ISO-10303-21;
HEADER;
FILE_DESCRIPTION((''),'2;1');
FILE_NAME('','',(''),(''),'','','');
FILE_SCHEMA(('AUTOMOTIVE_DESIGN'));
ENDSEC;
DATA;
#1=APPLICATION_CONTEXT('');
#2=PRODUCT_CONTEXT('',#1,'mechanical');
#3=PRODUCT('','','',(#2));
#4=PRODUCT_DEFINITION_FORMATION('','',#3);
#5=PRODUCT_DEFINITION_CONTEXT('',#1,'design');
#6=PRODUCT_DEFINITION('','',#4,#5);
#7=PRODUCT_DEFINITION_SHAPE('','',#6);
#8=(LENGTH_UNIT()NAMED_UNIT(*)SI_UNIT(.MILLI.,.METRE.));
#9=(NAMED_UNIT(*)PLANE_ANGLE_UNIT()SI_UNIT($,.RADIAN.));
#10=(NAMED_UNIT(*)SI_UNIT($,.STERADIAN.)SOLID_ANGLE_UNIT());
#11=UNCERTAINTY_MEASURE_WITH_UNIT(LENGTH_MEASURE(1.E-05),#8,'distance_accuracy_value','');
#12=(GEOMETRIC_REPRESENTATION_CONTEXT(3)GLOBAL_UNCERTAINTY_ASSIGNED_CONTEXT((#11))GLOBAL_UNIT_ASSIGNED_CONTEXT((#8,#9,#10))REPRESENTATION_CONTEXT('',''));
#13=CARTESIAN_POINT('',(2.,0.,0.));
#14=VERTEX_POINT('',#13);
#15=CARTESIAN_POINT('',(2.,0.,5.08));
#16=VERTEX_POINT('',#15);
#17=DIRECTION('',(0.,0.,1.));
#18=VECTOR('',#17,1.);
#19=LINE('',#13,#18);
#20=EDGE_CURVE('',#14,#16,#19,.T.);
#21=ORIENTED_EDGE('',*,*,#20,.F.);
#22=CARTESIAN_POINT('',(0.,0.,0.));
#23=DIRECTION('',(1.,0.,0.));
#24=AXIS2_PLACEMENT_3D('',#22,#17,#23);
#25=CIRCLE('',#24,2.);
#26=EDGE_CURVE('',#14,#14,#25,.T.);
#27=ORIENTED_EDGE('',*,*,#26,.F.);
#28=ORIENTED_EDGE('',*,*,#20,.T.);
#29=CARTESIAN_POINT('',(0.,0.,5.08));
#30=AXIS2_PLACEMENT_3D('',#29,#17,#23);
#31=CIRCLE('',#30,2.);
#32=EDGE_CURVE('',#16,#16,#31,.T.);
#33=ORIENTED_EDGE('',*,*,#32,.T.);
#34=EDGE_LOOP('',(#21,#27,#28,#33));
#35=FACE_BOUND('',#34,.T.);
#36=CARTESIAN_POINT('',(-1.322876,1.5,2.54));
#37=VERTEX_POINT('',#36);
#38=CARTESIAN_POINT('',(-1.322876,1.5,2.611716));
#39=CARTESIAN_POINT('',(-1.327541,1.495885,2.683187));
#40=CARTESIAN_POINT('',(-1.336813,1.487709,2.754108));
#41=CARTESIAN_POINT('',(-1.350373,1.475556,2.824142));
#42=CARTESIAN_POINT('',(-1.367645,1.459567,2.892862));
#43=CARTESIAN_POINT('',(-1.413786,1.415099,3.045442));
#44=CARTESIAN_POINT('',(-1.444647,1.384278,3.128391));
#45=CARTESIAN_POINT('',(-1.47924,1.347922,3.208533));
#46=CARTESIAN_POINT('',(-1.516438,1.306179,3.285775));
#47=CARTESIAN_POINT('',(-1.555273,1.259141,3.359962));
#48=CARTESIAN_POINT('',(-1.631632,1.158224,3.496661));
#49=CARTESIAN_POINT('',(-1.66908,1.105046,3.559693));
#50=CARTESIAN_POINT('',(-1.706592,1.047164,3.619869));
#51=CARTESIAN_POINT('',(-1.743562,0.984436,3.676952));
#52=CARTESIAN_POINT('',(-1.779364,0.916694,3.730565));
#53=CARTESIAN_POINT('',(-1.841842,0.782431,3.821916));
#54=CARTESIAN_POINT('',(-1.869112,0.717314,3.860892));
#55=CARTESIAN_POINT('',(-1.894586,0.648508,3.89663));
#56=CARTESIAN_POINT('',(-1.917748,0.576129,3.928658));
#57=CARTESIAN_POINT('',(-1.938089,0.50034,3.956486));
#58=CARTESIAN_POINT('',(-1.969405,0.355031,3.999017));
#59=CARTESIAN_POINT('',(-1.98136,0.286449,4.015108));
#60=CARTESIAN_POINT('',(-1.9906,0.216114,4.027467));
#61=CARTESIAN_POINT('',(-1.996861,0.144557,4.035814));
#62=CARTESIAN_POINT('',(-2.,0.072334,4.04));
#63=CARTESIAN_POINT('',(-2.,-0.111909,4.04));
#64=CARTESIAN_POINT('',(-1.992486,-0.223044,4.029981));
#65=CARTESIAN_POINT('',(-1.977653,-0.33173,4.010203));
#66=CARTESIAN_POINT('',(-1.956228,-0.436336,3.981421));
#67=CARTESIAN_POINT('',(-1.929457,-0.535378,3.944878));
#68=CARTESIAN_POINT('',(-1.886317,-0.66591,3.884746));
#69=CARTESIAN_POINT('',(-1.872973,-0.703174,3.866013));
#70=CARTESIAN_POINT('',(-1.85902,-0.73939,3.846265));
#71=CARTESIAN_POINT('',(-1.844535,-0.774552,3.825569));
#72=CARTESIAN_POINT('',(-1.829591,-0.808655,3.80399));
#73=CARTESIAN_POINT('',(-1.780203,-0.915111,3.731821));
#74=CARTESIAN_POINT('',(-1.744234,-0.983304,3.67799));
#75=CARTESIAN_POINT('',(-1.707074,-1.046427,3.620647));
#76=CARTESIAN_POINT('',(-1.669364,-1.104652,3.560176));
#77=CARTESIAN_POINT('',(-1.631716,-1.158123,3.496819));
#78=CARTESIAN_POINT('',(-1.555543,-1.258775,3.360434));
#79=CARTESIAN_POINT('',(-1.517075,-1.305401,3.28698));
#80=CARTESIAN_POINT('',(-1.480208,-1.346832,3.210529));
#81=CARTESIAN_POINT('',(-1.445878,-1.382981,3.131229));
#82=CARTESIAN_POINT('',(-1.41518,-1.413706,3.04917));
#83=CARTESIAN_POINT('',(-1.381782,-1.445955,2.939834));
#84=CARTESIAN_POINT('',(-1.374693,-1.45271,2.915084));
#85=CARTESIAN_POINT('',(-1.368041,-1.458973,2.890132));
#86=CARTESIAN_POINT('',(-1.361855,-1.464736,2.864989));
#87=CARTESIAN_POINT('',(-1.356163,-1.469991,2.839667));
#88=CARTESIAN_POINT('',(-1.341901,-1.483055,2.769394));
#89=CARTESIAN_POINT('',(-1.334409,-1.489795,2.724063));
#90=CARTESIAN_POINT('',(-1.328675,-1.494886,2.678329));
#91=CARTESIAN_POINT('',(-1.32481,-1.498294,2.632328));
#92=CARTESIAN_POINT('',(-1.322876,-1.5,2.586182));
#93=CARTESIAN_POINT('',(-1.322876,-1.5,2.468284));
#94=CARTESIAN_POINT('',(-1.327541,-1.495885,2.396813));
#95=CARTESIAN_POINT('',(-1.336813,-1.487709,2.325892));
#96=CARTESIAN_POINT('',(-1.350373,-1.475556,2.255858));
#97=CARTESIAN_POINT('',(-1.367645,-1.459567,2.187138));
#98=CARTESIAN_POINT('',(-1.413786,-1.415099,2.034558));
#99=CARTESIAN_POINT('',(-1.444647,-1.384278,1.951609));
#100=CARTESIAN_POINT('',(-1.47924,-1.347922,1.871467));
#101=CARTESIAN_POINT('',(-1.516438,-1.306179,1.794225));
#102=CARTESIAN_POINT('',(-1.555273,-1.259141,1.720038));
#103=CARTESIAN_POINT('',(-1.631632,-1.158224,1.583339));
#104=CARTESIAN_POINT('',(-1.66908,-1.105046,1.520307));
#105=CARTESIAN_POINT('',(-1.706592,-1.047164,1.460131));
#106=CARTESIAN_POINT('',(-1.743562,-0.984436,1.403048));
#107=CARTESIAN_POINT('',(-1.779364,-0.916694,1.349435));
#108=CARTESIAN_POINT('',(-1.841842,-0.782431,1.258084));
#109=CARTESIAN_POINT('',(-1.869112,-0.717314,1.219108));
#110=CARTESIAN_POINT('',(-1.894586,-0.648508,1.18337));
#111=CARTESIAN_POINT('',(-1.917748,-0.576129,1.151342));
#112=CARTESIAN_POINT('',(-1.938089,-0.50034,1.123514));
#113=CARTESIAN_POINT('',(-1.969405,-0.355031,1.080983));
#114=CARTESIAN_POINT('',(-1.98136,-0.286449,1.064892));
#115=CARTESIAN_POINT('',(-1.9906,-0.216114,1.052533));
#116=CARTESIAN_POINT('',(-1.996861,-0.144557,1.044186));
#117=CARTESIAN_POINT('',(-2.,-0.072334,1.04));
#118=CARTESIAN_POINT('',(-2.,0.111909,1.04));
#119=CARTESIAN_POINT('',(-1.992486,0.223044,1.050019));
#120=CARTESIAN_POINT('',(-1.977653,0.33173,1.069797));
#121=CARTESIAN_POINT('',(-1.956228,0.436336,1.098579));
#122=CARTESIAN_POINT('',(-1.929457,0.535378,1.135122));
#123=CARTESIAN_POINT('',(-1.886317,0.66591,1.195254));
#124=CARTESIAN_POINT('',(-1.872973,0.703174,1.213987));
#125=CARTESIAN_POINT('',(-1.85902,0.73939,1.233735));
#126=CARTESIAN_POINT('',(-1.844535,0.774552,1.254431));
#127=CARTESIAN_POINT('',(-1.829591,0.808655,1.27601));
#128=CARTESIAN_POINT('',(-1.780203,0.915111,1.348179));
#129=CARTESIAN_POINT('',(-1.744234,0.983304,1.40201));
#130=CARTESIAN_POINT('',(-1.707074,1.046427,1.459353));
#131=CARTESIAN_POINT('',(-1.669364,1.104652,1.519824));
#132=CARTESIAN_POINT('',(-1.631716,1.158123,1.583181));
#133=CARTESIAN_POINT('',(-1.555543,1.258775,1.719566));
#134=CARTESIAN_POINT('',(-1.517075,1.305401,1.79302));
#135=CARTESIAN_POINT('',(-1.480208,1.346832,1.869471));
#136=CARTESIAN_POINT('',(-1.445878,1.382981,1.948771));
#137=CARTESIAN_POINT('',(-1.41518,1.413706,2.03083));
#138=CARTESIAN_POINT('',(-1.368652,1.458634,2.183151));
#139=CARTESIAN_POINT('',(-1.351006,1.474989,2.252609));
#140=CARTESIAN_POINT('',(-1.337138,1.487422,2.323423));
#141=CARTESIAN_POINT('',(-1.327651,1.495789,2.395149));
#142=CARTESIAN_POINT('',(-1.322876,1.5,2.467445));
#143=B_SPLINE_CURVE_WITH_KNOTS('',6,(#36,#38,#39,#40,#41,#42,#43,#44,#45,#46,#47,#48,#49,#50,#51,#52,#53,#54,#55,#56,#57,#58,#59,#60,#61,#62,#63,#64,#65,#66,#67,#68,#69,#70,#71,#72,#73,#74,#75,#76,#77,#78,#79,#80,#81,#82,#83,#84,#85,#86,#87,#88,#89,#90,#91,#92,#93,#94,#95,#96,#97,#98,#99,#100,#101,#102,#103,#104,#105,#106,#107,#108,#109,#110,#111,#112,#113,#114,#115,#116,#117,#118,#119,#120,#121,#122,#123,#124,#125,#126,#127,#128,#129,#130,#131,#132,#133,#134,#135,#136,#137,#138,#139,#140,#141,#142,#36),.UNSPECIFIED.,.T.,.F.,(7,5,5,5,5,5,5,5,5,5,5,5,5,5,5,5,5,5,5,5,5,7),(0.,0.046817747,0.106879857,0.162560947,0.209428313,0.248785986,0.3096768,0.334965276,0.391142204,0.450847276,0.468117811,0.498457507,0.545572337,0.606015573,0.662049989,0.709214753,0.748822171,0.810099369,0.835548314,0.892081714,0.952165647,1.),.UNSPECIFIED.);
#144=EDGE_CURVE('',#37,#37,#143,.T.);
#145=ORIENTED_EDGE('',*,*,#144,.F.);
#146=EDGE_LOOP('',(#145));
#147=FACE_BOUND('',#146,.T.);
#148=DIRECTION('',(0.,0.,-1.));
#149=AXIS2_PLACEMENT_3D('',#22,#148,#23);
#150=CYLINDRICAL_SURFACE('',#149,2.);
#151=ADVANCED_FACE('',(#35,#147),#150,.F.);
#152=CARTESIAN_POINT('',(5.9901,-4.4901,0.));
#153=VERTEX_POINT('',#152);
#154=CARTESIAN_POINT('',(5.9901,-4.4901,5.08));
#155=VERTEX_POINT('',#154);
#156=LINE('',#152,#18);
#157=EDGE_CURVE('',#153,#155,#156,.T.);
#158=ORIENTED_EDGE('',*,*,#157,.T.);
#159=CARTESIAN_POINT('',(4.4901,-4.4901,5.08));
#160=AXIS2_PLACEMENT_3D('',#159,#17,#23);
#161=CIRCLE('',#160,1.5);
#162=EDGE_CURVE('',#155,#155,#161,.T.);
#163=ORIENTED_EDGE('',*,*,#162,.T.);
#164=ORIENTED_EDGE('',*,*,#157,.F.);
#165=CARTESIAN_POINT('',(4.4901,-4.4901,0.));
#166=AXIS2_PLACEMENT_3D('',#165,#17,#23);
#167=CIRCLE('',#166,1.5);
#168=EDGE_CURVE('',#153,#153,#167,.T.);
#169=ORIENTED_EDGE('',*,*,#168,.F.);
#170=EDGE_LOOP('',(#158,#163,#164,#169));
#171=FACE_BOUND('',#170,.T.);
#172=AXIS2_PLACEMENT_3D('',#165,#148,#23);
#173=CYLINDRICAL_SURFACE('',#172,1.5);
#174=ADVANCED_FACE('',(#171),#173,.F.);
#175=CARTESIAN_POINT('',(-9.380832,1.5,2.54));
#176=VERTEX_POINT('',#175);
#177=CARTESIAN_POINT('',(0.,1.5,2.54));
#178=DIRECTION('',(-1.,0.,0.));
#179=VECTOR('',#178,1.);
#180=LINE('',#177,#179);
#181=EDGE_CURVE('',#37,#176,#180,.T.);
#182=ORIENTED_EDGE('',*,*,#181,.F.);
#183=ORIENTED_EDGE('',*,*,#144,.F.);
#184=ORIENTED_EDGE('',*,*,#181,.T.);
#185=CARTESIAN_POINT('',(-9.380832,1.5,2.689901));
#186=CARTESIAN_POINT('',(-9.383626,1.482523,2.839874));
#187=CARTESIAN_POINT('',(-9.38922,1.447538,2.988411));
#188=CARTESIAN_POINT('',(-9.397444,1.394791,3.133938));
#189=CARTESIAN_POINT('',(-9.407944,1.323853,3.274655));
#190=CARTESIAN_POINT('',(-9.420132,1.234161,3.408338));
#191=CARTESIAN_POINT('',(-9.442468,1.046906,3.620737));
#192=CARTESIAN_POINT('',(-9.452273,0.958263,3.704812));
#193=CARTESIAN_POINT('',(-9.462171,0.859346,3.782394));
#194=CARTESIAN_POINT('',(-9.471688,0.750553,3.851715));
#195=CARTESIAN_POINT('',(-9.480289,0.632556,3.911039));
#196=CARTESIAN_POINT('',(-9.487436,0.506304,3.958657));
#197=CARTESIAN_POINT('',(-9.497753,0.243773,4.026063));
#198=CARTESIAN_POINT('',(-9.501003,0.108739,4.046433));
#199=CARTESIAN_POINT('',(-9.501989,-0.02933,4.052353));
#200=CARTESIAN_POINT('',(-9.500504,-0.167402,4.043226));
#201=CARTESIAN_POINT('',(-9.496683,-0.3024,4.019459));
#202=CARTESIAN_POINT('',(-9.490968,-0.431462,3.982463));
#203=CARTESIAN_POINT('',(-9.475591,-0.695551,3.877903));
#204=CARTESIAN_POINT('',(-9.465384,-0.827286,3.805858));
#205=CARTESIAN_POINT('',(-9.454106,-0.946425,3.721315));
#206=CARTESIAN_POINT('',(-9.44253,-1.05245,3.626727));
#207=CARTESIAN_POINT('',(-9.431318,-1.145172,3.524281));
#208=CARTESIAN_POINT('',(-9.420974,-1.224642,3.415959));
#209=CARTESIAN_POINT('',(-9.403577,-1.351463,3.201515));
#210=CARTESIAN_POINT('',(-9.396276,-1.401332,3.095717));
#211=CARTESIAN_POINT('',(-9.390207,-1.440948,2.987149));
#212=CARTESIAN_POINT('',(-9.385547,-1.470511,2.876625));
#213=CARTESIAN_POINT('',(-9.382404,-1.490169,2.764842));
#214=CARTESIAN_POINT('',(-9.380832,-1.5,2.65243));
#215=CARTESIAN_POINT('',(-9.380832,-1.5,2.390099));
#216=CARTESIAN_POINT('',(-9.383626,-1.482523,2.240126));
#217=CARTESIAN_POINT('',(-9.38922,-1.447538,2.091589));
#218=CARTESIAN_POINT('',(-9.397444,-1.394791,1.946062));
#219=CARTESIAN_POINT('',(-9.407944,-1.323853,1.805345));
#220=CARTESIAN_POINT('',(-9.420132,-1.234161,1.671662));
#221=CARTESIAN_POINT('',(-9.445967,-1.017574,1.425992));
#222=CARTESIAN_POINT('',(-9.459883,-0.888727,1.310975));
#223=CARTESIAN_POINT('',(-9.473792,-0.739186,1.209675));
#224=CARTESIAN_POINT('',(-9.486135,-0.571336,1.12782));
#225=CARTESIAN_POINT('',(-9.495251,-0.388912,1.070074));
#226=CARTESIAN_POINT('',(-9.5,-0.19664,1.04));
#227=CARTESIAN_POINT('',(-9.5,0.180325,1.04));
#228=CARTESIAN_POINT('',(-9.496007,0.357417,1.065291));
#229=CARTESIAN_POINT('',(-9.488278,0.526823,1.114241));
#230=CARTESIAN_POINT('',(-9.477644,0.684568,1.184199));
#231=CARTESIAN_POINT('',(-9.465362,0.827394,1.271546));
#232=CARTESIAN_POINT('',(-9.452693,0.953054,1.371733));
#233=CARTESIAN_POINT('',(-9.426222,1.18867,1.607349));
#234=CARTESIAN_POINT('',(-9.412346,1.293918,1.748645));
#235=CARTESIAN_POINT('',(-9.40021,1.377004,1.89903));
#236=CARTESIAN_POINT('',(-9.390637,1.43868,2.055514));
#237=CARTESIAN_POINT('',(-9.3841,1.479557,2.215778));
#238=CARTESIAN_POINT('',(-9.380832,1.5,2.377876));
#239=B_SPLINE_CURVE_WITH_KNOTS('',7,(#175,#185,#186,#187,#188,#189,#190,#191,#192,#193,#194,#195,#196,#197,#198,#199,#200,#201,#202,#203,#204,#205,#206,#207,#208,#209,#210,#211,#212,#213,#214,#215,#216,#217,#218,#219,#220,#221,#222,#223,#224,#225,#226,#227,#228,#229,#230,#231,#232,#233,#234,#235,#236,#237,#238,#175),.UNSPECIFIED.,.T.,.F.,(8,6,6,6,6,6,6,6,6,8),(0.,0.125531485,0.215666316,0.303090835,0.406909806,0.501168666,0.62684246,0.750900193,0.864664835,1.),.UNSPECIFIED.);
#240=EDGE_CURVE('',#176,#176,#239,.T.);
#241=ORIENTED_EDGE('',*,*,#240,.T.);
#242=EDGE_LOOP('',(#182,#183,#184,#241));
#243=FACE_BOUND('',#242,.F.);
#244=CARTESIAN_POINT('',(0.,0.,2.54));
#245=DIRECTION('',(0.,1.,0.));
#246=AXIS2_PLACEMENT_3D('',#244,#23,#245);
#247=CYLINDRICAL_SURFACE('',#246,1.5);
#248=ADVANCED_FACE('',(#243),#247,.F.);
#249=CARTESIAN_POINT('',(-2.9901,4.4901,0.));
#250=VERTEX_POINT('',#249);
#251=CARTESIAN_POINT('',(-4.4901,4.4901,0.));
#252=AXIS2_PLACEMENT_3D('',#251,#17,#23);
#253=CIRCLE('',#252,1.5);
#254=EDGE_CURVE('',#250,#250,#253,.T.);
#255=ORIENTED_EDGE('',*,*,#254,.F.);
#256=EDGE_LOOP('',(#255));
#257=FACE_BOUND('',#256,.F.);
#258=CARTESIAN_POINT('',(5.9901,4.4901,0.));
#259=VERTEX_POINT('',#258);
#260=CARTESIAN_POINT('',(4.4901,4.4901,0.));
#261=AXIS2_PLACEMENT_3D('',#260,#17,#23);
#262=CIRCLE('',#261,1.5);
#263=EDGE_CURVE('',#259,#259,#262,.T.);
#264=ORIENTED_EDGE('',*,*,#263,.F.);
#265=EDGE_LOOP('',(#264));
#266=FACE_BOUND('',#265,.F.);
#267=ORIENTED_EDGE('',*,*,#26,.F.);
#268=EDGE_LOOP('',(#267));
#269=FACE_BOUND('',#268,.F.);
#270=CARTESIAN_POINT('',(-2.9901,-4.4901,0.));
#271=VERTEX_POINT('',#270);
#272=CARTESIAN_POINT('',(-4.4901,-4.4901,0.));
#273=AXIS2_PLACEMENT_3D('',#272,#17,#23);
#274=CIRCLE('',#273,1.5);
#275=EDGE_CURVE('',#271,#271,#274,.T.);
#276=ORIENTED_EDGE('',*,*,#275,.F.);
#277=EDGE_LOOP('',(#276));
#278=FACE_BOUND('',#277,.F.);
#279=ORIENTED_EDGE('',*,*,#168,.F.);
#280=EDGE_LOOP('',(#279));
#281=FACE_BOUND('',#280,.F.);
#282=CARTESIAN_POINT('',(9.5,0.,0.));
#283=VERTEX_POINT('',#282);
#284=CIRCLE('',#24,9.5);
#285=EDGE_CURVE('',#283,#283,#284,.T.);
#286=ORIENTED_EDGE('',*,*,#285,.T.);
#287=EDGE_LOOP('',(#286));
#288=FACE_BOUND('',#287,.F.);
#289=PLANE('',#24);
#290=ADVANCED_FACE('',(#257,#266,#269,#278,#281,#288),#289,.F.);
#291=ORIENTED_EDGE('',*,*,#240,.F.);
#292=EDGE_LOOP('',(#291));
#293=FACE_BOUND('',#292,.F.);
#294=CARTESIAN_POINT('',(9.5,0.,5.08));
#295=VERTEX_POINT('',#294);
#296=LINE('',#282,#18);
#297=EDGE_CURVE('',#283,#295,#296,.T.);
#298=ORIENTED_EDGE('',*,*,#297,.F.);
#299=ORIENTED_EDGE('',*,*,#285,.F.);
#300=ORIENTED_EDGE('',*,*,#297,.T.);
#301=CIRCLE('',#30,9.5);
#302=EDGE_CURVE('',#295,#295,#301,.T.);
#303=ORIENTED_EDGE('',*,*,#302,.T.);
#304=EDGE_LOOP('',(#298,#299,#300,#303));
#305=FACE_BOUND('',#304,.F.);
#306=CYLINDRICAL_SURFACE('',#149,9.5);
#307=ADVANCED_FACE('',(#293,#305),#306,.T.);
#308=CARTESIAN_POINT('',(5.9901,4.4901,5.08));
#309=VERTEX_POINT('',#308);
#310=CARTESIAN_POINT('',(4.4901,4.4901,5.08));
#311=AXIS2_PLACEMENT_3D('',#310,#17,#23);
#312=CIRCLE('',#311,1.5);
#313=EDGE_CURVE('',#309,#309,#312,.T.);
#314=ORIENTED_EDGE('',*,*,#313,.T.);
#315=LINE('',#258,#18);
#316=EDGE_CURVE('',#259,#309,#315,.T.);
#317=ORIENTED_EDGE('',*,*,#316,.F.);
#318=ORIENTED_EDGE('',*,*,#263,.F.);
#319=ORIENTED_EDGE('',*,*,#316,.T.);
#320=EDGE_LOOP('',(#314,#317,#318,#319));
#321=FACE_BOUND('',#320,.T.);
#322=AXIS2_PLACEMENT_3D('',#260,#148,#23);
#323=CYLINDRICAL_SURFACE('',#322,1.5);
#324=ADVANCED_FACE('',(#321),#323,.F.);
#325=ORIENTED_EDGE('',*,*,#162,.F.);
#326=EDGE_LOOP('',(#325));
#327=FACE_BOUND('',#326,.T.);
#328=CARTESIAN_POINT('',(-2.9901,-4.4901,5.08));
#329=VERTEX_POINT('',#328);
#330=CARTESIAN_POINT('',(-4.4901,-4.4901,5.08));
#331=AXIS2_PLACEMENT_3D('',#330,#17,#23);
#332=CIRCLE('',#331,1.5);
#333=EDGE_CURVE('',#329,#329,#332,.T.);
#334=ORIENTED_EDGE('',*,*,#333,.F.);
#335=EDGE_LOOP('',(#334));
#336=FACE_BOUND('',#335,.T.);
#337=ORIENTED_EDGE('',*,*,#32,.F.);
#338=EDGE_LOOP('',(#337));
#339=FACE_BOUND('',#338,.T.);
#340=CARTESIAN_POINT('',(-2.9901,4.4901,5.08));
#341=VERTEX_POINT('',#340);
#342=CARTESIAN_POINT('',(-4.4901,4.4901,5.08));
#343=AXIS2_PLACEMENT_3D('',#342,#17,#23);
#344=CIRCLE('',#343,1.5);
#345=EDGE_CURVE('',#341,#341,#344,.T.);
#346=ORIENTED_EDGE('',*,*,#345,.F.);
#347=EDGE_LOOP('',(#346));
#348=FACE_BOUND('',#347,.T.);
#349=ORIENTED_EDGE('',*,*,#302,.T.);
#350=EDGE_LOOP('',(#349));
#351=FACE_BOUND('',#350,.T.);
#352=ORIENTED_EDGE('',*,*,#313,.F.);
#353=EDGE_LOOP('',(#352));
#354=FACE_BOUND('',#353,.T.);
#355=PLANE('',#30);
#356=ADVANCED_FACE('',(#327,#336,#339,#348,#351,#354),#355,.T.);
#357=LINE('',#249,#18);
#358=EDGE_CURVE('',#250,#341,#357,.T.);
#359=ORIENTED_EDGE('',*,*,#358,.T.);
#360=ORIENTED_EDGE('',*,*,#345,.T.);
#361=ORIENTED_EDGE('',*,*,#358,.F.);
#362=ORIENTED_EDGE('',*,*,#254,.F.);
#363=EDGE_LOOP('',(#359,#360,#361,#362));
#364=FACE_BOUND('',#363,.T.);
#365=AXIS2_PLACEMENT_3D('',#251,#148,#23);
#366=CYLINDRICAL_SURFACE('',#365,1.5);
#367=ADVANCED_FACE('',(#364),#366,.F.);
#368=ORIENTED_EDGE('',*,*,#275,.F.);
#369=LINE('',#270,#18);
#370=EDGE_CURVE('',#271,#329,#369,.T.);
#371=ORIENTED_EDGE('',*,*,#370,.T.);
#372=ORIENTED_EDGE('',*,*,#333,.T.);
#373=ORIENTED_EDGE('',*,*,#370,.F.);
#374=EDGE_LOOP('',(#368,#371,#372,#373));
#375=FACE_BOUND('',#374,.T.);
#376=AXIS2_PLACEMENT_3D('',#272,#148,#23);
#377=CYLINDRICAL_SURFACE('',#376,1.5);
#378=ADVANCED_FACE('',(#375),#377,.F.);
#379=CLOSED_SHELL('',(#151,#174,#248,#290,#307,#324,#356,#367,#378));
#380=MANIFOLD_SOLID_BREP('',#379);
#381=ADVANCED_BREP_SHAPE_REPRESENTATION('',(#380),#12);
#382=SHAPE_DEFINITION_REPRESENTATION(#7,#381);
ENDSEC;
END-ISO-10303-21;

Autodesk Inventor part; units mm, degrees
ref_plane "YZ Plane" through (0, 0, 0) normal (1, 0, 0) x (0, 1, 0)
ref_plane "XZ Plane" through (0, 0, 0) normal (0, 1, 0) x (-1, 0, 0)
ref_plane "XY Plane" through (0, 0, 0) normal (0, 0, 1) x (1, 0, 0)
sketch "Skizze1" plane through (0, 0, 0) normal (0, 0, 1) x (1, 0, 0)
  circle A0 centre (0, 0) radius 2
  circle A1 centre (0, 0) radius 9.5
  line L0 (-13.3, 0) -> (13.3, 0) construction
  circle A2 centre (4.4901, 4.4901) radius 1.5
  circle A3 centre (-4.4901, 4.4901) radius 1.5
  circle A4 centre (-4.4901, -4.4901) radius 1.5
  circle A5 centre (4.4901, -4.4901) radius 1.5
  circle A6 centre (0, 0) radius 4
  line L1 (0, 0) -> (4.566, 4.566) construction
  dimension "d0" = 4
  dimension "d1" = 19
  dimension "d2" = 3
  dimension "d3" = 6.35
  dimension "d6" = 360
  dimension "d16" = 45
  dimension "d19" = 8
extrude "Extrusion1" add sketch "Skizze1" along normal blind 5.08 contours A1 | A6
sketch "Skizze2" plane through (0, 0, 0) normal (1, 0, 0) x (0, 1, 0)
  line L0 (0, 6.096) -> (0, -1.016) construction
  line L1 (-13.3, 0) -> (13.3, 0) construction
  circle A0 centre (0, 2.54) radius 1.5
  line L2 (9.5, 5.08) -> (-9.5, 5.08) construction
  line L3 (0, 5.08) -> (0, 0) construction
  dimension "d13" = 3
extrude "Extrusion3" cut sketch "Skizze2" against normal up to surface
thread "Gewinde1" size "M3x0.5" class "6H" standard "ANSI Metric M Profile" full length
thread "Gewinde2" size "M3x0.5" class "6H" standard "ANSI Metric M Profile" full length
thread "Gewinde3" size "M3x0.5" class "6H" standard "ANSI Metric M Profile" full length
thread "Gewinde4" size "M3x0.5" class "6H" standard "ANSI Metric M Profile" full length
thread "Gewinde5" size "M3x0.5" class "6H" standard "ANSI Metric M Profile" full length
properties part number "HarmonicDrive-Mounting Hub"
